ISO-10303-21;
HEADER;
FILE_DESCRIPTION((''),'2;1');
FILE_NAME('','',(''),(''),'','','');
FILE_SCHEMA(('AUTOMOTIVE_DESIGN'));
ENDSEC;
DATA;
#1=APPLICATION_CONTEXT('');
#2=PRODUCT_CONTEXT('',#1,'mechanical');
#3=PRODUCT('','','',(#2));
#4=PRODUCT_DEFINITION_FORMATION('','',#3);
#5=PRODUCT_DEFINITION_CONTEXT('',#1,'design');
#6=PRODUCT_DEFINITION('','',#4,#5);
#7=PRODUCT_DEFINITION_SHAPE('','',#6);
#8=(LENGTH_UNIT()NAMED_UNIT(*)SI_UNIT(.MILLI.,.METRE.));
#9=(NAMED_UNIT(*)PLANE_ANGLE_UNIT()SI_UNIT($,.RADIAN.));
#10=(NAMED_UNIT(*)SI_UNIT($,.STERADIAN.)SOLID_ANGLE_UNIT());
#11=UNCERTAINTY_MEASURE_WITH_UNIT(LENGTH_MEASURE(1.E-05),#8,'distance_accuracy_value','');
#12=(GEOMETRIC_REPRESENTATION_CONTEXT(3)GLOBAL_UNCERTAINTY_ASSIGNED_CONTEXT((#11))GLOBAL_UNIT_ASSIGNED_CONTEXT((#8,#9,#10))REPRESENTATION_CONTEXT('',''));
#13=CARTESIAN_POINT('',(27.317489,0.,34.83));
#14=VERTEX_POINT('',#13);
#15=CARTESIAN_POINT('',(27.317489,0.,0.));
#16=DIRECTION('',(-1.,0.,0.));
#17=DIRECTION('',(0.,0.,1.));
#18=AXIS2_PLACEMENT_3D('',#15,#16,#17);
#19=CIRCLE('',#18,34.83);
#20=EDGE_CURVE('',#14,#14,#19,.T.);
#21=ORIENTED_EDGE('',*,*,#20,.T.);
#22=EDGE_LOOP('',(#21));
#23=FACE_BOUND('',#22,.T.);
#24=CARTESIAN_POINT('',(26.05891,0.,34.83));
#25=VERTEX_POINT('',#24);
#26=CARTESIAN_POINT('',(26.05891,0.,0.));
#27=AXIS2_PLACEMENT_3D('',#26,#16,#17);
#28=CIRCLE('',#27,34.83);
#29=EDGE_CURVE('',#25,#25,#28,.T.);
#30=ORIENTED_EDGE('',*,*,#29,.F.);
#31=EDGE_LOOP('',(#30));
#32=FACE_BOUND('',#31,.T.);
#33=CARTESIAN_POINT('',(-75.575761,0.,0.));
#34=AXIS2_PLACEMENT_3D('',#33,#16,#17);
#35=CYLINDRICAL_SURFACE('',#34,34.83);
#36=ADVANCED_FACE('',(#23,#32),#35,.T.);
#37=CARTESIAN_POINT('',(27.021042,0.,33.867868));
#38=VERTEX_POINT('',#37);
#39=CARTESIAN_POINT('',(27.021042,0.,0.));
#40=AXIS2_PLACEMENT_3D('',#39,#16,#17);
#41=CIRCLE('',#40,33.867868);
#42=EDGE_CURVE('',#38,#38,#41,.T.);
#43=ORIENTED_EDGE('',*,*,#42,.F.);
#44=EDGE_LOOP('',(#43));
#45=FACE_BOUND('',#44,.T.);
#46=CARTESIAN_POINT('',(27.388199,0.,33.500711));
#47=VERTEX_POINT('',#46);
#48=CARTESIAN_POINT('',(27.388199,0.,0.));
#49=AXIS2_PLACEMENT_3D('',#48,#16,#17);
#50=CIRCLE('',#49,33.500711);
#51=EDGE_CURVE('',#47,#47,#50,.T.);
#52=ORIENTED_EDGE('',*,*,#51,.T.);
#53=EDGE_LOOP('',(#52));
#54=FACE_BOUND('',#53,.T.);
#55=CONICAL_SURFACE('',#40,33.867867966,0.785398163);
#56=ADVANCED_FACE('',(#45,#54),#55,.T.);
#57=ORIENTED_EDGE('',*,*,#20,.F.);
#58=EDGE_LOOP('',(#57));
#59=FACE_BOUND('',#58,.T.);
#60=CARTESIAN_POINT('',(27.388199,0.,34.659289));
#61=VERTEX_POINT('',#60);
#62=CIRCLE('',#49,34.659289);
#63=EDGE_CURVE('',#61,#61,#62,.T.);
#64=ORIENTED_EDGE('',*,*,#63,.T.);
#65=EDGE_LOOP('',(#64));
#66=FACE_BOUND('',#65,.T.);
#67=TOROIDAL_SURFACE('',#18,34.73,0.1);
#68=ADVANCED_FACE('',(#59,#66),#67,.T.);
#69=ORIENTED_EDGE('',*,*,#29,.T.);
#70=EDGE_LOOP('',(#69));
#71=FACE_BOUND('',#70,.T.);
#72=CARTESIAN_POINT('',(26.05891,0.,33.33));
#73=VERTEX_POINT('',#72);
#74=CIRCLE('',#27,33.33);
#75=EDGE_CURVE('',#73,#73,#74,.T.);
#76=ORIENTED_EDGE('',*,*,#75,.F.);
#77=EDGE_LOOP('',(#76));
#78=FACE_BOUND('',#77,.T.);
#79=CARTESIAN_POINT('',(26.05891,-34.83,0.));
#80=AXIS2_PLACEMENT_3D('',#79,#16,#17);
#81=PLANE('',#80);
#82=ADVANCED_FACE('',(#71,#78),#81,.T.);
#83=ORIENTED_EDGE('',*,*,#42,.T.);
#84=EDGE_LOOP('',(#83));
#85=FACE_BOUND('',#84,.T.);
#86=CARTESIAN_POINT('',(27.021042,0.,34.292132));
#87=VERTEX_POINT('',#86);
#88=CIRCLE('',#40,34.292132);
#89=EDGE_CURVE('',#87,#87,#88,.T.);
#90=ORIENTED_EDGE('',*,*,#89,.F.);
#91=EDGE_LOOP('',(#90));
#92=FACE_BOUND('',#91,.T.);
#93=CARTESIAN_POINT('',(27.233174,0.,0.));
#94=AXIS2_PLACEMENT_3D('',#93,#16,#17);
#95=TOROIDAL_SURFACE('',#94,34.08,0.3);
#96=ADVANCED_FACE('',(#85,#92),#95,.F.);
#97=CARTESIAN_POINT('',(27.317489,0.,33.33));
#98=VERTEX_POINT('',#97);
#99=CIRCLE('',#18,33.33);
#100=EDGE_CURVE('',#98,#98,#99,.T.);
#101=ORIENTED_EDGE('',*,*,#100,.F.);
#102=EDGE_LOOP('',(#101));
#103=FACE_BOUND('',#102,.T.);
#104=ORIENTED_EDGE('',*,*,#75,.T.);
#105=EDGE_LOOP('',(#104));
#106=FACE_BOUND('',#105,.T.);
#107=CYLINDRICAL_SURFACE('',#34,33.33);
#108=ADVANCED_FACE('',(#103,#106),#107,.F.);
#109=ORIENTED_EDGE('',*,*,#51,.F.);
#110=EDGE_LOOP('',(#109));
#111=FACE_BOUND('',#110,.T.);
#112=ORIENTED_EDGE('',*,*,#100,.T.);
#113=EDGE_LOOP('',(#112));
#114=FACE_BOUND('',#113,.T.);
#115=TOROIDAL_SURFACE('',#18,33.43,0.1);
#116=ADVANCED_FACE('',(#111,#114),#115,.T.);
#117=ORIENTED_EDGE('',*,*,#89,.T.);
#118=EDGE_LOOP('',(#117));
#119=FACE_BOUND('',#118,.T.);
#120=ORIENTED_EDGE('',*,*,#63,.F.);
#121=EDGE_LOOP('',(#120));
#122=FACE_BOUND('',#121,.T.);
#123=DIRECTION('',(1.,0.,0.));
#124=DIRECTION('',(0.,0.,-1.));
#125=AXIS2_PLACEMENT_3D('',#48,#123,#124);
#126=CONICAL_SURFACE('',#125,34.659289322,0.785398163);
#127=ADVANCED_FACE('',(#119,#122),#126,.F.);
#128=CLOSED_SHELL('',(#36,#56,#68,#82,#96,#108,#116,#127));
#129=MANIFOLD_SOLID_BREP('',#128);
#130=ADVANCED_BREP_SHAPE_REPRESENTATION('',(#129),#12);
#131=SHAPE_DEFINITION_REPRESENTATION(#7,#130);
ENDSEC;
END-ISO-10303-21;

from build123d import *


with BuildPart() as part:
    # Sketch1 → Revolve1 (revolve)
    with BuildSketch(Plane.XY, mode=Mode.PRIVATE) as revolve1_sk:
        with BuildLine():
            Line((27.317488674, -33.33), (26.05891003, -33.33))
            Line((26.05891003, -33.33), (26.05891003, -34.83))
            Line((26.05891003, -34.83), (27.317488674, -34.83))
            ThreePointArc((27.317488674, -34.83), (27.409876627, -34.768268343), (27.388199352, -34.659289322))
            Line((27.388199352, -34.659289322), (27.021042064, -34.292132034))
            ThreePointArc((27.021042064, -34.292132034), (26.933174098, -34.08), (27.021042064, -33.867867966))
            Line((27.021042064, -33.867867966), (27.388199352, -33.500710678))
            ThreePointArc((27.388199352, -33.500710678), (27.409876627, -33.391731657), (27.317488674, -33.33))
        make_face()
    revolve(revolve1_sk.sketch.rotate(Axis((-75.575760541, 0, 0), (1, 0, 0)), 270), axis=Axis((-75.575760541, 0, 0), (1, 0, 0)))


solid = part.part
